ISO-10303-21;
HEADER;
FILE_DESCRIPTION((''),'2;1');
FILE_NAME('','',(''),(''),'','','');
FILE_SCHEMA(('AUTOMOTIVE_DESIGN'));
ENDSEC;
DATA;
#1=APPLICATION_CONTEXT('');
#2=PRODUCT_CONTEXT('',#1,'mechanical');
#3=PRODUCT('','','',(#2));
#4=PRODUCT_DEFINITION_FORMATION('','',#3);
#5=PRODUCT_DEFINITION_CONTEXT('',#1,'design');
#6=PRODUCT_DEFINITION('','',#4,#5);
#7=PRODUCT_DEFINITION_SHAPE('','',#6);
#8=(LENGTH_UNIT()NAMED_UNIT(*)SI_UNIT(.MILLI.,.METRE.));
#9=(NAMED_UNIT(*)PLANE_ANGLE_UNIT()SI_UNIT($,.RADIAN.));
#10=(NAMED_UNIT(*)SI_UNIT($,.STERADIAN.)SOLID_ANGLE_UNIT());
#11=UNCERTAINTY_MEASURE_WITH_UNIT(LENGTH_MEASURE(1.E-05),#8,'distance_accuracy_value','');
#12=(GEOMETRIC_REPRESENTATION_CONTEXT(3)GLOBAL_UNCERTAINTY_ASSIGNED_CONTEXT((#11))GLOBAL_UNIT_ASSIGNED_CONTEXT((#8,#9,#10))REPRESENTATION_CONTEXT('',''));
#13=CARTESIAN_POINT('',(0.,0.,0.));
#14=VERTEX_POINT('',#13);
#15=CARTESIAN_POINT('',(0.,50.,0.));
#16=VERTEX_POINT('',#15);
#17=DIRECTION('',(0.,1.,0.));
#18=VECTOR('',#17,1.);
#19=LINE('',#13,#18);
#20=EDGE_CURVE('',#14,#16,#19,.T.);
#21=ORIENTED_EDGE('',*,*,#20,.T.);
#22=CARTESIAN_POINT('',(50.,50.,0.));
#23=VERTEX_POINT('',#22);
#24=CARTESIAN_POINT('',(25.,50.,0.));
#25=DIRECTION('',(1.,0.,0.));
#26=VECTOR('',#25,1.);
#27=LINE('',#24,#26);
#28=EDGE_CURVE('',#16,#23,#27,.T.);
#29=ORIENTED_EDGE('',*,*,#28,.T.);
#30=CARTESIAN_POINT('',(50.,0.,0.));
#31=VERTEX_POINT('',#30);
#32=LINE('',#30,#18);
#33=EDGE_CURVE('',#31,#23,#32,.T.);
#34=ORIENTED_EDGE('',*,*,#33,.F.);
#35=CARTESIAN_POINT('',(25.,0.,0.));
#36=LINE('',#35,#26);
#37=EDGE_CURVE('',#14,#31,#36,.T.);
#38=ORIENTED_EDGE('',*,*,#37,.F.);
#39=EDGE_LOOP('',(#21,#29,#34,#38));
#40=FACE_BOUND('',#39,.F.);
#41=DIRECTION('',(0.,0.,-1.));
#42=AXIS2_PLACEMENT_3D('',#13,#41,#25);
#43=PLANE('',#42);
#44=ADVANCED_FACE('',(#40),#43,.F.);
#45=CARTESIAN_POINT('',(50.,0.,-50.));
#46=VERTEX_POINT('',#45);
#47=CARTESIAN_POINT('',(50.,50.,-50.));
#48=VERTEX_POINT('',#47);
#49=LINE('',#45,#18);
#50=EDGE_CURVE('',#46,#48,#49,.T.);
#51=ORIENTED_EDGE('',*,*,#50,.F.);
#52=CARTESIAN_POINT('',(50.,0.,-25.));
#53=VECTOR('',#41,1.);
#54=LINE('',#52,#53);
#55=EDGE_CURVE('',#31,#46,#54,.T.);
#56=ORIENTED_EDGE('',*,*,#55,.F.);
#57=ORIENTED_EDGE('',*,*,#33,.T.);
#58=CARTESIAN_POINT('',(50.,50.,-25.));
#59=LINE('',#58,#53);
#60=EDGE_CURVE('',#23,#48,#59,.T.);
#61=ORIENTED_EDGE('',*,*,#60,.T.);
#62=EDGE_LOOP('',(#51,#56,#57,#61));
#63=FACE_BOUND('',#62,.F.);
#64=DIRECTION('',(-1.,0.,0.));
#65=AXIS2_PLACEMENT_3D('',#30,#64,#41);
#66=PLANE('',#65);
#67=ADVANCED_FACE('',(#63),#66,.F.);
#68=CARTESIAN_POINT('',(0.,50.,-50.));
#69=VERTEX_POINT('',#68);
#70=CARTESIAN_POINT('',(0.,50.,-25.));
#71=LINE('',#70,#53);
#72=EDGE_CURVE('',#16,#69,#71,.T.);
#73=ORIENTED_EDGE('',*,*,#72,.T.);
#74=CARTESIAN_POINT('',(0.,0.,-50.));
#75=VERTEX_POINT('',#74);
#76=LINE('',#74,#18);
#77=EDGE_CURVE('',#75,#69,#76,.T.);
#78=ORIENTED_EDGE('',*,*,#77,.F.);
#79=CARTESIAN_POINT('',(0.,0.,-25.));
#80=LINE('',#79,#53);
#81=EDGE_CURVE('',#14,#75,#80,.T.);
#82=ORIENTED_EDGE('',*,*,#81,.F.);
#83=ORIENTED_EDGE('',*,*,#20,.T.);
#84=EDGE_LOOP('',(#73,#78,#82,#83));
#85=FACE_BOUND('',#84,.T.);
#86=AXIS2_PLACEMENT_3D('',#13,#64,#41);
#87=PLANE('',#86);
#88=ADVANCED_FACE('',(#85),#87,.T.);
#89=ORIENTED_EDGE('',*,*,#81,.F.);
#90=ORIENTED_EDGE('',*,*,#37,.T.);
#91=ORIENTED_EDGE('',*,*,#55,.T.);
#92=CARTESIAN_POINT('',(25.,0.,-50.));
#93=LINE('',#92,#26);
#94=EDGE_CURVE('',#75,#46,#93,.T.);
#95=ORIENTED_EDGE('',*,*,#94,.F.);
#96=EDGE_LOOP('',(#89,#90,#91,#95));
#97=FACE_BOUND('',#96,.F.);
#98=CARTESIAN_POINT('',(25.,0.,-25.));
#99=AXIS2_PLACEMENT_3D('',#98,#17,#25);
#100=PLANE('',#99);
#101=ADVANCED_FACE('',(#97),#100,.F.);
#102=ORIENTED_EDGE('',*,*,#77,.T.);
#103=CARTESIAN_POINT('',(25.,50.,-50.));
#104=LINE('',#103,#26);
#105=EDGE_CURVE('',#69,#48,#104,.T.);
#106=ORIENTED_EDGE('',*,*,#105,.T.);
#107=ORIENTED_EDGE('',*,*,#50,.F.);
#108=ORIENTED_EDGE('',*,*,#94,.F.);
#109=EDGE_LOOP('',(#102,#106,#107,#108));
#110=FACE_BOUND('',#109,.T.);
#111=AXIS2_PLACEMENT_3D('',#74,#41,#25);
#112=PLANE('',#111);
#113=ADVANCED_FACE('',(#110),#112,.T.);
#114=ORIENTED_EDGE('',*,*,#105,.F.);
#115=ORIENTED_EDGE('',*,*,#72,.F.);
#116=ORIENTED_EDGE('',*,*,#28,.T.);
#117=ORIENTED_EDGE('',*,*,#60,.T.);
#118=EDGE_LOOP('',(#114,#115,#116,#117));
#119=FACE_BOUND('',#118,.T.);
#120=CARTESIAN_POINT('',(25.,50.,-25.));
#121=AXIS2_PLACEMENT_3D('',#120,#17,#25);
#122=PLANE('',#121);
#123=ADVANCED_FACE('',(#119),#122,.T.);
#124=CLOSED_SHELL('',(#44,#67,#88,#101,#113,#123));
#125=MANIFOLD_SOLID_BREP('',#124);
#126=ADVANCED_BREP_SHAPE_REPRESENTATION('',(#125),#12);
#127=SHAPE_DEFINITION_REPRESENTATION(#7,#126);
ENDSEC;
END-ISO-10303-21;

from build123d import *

# Parameters (mm, degrees)
SKETCH1_W           = 50
SKETCH1_H           = 50
BOSS_EXTRUDE1_DEPTH = 50


with BuildPart() as part:
    # Sketch1 → Boss-Extrude1 (new body)
    with BuildSketch(Plane(origin=(0, 0, 0), x_dir=(1, 0, 0), z_dir=(0, 1, 0))):
        with Locations((25, 25)):
            Rectangle(SKETCH1_W, SKETCH1_H)
    extrude(amount=BOSS_EXTRUDE1_DEPTH)


solid = part.part
